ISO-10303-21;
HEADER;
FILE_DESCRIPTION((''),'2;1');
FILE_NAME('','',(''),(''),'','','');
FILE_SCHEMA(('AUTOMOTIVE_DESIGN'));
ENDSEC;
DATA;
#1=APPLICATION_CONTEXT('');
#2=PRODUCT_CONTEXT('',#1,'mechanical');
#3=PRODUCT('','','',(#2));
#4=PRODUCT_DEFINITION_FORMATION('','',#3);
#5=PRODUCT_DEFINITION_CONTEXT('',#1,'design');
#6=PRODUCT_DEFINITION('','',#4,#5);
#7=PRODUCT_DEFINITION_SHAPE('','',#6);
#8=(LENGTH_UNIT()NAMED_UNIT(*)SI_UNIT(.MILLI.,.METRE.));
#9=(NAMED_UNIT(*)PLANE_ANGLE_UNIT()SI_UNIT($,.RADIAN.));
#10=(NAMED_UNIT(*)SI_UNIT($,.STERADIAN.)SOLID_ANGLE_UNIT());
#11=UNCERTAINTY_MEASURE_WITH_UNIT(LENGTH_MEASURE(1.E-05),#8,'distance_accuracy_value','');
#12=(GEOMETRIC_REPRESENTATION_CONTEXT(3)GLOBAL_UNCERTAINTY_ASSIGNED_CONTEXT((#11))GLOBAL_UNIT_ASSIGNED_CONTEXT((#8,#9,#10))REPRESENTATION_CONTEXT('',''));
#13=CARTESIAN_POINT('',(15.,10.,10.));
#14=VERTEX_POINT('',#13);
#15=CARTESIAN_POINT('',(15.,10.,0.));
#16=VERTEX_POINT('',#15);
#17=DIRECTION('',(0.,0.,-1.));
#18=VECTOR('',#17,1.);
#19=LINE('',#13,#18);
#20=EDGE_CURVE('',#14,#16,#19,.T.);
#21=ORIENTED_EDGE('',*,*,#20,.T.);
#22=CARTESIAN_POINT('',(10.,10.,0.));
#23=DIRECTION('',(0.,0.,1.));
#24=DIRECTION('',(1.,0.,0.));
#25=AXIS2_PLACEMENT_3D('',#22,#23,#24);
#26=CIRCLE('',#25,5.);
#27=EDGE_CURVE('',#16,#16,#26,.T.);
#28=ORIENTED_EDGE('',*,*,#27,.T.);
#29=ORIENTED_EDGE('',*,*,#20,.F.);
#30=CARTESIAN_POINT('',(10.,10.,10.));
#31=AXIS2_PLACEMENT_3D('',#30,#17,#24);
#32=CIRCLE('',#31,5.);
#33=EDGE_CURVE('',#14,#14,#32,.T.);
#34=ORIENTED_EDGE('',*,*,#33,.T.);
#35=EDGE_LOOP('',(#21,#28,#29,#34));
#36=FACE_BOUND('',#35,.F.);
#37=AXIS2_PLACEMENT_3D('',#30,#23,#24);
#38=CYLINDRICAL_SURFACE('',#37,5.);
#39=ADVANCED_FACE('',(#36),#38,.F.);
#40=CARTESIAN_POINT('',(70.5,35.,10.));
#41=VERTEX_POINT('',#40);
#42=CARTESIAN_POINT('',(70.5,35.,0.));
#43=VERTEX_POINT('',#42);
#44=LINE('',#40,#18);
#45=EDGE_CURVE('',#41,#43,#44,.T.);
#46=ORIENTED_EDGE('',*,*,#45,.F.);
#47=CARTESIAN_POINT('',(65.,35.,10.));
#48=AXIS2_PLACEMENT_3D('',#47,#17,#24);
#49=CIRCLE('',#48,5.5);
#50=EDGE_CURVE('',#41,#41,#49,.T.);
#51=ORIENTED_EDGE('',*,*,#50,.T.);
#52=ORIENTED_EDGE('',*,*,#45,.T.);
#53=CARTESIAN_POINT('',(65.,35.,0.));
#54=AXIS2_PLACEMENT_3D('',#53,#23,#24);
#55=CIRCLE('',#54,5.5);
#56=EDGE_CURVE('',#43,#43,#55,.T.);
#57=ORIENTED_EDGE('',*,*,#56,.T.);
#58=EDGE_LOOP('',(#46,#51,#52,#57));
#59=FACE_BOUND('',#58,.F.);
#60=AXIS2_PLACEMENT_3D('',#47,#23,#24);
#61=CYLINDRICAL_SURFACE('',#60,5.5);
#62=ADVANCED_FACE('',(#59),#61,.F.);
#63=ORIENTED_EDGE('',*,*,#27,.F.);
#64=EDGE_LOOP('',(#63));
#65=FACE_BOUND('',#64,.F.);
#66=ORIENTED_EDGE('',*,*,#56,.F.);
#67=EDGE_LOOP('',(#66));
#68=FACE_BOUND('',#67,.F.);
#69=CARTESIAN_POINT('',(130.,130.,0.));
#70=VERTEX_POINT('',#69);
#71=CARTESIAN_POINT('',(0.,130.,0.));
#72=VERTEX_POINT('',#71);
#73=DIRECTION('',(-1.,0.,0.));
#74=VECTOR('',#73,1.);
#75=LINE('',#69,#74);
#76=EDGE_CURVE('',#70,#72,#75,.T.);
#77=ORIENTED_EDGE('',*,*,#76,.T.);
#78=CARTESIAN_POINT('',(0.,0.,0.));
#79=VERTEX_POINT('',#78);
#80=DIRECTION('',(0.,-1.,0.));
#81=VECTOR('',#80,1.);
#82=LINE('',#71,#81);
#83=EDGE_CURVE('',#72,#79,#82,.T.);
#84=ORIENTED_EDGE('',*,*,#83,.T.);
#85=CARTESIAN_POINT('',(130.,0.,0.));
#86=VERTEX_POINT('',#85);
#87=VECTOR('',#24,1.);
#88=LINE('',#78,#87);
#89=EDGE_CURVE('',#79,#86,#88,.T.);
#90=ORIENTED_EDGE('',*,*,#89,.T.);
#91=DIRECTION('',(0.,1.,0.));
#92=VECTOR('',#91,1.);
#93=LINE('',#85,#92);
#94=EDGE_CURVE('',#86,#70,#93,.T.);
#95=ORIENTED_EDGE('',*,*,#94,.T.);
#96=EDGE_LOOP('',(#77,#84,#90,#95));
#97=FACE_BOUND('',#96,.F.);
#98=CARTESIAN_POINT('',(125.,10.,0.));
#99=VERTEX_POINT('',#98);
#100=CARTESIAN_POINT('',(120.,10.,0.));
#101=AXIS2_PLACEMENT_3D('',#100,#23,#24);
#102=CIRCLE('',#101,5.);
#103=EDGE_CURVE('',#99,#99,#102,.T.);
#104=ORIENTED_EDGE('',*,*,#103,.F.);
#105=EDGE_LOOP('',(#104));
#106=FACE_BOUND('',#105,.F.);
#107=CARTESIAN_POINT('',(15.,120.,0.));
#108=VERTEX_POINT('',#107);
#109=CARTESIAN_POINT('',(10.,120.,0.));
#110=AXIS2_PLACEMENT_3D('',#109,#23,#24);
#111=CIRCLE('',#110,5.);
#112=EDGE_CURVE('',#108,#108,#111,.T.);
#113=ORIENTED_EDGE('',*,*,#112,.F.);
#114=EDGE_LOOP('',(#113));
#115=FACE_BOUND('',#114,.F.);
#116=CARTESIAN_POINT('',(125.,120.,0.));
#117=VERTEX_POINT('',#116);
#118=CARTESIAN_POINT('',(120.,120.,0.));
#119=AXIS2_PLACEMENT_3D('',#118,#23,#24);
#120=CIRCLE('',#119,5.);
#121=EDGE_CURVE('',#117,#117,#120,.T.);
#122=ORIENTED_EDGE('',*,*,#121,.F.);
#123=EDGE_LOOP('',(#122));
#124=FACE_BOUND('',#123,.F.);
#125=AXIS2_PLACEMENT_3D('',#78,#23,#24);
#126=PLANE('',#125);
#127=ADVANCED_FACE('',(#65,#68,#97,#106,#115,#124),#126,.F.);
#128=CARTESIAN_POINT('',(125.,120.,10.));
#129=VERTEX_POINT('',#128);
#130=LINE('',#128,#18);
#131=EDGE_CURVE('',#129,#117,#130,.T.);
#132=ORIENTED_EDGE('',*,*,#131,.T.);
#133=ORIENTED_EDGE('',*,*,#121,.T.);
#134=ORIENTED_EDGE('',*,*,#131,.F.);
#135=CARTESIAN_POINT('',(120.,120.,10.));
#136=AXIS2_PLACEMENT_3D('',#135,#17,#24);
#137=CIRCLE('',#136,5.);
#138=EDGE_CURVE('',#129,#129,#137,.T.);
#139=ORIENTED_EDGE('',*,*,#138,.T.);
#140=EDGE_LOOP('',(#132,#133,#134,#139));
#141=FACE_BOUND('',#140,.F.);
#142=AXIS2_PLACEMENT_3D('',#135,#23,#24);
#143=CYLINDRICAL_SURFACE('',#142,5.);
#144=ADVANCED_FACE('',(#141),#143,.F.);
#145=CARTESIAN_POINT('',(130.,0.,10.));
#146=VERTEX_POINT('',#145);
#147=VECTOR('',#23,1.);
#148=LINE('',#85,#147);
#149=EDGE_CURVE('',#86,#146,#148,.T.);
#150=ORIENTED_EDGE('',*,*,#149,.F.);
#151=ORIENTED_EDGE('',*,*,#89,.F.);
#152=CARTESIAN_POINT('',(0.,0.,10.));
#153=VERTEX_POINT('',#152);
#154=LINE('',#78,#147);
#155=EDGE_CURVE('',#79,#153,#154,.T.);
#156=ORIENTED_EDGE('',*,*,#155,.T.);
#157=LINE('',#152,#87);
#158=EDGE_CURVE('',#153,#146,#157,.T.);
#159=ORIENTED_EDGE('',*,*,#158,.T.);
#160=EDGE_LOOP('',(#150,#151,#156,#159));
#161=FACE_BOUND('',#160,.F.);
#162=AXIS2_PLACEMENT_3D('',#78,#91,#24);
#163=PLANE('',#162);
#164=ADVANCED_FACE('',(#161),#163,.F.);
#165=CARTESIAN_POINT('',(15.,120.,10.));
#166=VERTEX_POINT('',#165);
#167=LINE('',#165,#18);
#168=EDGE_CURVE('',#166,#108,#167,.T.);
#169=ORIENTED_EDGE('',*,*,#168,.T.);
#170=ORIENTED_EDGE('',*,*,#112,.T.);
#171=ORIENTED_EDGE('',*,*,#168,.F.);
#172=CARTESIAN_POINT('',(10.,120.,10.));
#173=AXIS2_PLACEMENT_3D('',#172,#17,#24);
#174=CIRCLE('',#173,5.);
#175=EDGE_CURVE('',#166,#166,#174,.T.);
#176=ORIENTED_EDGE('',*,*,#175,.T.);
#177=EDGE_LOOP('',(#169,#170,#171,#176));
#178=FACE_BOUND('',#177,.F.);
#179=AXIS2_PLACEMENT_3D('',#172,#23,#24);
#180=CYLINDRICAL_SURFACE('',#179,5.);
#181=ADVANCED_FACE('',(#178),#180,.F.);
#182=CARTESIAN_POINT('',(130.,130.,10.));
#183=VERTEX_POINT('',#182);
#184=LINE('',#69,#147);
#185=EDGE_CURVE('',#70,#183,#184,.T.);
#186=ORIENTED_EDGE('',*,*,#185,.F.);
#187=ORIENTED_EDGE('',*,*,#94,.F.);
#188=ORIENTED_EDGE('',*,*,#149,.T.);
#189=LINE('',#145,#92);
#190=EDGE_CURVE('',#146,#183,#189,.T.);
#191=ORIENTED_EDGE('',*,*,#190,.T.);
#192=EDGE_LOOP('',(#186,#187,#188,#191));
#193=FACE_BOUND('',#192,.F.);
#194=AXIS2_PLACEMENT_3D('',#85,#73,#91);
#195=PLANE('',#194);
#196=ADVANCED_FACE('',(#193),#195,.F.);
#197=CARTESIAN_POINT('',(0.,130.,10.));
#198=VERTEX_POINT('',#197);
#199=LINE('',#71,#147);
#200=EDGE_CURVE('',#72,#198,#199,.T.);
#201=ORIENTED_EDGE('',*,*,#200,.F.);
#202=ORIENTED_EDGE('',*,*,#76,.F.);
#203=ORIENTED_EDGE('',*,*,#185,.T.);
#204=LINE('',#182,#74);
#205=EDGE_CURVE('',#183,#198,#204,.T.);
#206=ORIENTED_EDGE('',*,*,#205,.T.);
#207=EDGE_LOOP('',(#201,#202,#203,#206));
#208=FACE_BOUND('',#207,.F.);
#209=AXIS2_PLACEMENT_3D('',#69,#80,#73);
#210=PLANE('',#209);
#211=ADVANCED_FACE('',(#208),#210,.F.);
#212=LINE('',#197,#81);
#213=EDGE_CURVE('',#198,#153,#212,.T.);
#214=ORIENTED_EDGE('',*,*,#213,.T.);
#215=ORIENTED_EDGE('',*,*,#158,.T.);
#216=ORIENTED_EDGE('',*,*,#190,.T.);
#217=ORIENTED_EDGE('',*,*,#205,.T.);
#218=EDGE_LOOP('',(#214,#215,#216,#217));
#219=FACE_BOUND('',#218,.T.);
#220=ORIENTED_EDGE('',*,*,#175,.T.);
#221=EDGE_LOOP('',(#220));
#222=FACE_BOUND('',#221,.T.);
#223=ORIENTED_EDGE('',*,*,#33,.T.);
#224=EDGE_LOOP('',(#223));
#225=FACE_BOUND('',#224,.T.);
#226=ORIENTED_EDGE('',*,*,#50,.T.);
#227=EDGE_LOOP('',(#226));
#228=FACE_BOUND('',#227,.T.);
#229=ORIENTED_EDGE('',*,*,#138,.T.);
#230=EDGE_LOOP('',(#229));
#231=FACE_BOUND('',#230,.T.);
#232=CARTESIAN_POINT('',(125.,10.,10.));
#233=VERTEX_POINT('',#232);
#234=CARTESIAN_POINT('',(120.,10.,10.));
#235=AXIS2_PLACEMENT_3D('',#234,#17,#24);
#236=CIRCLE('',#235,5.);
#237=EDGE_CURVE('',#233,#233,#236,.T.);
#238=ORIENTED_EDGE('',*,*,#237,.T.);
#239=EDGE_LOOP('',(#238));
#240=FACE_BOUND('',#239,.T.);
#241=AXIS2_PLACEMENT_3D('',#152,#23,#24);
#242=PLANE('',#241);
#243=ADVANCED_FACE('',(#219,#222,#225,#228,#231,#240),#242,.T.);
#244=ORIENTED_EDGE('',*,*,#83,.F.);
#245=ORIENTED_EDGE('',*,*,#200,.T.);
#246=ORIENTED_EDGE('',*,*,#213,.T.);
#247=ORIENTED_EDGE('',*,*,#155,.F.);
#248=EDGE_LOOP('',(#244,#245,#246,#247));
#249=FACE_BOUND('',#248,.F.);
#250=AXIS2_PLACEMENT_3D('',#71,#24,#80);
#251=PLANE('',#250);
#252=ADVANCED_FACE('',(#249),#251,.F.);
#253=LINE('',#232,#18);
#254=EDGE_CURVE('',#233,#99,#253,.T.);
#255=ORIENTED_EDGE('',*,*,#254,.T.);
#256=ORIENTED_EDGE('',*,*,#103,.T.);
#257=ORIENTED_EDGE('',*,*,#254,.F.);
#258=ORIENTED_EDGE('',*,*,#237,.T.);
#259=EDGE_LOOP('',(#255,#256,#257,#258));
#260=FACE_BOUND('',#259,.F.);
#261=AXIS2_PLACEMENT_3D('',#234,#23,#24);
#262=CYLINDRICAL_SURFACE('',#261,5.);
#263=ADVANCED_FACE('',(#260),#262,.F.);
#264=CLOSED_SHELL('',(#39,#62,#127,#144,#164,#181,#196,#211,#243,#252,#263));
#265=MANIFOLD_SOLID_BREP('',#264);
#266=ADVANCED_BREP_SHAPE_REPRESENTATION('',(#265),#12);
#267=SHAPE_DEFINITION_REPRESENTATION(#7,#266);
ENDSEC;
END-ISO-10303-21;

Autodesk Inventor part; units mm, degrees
ref_plane "YZ Plane" through (0, 0, 0) normal (1, 0, 0) x (0, 1, 0)
ref_plane "XZ Plane" through (0, 0, 0) normal (0, 1, 0) x (-1, 0, 0)
ref_plane "XY Plane" through (0, 0, 0) normal (0, 0, 1) x (1, 0, 0)
sketch "Sketch1" plane through (0, 0, 0) normal (0, 0, 1) x (1, 0, 0)
  line L0 (0, 0) -> (130, 0)
  line L1 (130, 0) -> (130, 130)
  line L2 (130, 130) -> (0, 130)
  line L3 (0, 130) -> (0, 0)
  dimension "d0" = 130
  dimension "d1" = 130
extrude "Extrusion1" add sketch "Sketch1" along normal blind 10
sketch "Sketch2" plane through (0, 0, 10) normal (0, 0, 1) x (1, 0, 0)
  line L0 (130, 130) -> (0, 130) projected
  line L1 (0, 130) -> (10, 130)
  line L2 (10, 130) -> (10, 0)
  line L3 (10, 0) -> (120, 0)
  line L4 (0, 0) -> (130, 0) projected
  line L5 (120, 0) -> (120, 130)
  line L6 (120, 130) -> (120, 120)
  line L7 (120, 120) -> (10, 120)
  line L8 (130, 0) -> (130, 10)
  line L9 (130, 0) -> (130, 130) projected
  line L10 (130, 10) -> (0, 10)
  line L11 (0, 130) -> (0, 0) projected
  circle A0 centre (10, 120) radius 5
  circle A1 centre (120, 120) radius 5
  circle A2 centre (120, 10) radius 5
  circle A3 centre (10, 10) radius 5
  dimension "d4" = 10
  dimension "d5" = 130
  dimension "d6" = 110
  dimension "d7" = 10
  dimension "d8" = 10
  dimension "d9" = 130
  dimension "d10" = 10
  dimension "d11" = 10
  dimension "d12" = 10
  dimension "d13" = 10
extrude "Extrusion2" cut sketch "Sketch2" against normal through all contours A1 L5 | L5 L7 A1 | A2 L5 L10 | L10 L5 A2 | A0 L7 L2 | L2 A0 | L5 A1 L7 | L10 A2 L5 | L5 A2 L10 | L7 A0 L2 | A3 L2 L10 | L10 L2 A3 | A3 L10 L2 | L2 L10 A3
sketch "Sketch3" plane through (0, 0, 10) normal (0, 0, 1) x (1, 0, 0)
  line L0 (0, 0) -> (130, 0) projected
  line L1 (65, 0) -> (30, 0)
  line L2 (65, 0) -> (65, 35)
  circle A0 centre (65, 35) radius 5.5
  dimension "d16" = 65
  dimension "d17" = 35
  dimension "d18" = 35
  dimension "d19" = 11
extrude "Extrusion3" cut sketch "Sketch3" against normal through all
thread "Thread1" size "M11x1.5" class "6H" standard "ANSI Metric M Profile" full length
properties part number "2"
